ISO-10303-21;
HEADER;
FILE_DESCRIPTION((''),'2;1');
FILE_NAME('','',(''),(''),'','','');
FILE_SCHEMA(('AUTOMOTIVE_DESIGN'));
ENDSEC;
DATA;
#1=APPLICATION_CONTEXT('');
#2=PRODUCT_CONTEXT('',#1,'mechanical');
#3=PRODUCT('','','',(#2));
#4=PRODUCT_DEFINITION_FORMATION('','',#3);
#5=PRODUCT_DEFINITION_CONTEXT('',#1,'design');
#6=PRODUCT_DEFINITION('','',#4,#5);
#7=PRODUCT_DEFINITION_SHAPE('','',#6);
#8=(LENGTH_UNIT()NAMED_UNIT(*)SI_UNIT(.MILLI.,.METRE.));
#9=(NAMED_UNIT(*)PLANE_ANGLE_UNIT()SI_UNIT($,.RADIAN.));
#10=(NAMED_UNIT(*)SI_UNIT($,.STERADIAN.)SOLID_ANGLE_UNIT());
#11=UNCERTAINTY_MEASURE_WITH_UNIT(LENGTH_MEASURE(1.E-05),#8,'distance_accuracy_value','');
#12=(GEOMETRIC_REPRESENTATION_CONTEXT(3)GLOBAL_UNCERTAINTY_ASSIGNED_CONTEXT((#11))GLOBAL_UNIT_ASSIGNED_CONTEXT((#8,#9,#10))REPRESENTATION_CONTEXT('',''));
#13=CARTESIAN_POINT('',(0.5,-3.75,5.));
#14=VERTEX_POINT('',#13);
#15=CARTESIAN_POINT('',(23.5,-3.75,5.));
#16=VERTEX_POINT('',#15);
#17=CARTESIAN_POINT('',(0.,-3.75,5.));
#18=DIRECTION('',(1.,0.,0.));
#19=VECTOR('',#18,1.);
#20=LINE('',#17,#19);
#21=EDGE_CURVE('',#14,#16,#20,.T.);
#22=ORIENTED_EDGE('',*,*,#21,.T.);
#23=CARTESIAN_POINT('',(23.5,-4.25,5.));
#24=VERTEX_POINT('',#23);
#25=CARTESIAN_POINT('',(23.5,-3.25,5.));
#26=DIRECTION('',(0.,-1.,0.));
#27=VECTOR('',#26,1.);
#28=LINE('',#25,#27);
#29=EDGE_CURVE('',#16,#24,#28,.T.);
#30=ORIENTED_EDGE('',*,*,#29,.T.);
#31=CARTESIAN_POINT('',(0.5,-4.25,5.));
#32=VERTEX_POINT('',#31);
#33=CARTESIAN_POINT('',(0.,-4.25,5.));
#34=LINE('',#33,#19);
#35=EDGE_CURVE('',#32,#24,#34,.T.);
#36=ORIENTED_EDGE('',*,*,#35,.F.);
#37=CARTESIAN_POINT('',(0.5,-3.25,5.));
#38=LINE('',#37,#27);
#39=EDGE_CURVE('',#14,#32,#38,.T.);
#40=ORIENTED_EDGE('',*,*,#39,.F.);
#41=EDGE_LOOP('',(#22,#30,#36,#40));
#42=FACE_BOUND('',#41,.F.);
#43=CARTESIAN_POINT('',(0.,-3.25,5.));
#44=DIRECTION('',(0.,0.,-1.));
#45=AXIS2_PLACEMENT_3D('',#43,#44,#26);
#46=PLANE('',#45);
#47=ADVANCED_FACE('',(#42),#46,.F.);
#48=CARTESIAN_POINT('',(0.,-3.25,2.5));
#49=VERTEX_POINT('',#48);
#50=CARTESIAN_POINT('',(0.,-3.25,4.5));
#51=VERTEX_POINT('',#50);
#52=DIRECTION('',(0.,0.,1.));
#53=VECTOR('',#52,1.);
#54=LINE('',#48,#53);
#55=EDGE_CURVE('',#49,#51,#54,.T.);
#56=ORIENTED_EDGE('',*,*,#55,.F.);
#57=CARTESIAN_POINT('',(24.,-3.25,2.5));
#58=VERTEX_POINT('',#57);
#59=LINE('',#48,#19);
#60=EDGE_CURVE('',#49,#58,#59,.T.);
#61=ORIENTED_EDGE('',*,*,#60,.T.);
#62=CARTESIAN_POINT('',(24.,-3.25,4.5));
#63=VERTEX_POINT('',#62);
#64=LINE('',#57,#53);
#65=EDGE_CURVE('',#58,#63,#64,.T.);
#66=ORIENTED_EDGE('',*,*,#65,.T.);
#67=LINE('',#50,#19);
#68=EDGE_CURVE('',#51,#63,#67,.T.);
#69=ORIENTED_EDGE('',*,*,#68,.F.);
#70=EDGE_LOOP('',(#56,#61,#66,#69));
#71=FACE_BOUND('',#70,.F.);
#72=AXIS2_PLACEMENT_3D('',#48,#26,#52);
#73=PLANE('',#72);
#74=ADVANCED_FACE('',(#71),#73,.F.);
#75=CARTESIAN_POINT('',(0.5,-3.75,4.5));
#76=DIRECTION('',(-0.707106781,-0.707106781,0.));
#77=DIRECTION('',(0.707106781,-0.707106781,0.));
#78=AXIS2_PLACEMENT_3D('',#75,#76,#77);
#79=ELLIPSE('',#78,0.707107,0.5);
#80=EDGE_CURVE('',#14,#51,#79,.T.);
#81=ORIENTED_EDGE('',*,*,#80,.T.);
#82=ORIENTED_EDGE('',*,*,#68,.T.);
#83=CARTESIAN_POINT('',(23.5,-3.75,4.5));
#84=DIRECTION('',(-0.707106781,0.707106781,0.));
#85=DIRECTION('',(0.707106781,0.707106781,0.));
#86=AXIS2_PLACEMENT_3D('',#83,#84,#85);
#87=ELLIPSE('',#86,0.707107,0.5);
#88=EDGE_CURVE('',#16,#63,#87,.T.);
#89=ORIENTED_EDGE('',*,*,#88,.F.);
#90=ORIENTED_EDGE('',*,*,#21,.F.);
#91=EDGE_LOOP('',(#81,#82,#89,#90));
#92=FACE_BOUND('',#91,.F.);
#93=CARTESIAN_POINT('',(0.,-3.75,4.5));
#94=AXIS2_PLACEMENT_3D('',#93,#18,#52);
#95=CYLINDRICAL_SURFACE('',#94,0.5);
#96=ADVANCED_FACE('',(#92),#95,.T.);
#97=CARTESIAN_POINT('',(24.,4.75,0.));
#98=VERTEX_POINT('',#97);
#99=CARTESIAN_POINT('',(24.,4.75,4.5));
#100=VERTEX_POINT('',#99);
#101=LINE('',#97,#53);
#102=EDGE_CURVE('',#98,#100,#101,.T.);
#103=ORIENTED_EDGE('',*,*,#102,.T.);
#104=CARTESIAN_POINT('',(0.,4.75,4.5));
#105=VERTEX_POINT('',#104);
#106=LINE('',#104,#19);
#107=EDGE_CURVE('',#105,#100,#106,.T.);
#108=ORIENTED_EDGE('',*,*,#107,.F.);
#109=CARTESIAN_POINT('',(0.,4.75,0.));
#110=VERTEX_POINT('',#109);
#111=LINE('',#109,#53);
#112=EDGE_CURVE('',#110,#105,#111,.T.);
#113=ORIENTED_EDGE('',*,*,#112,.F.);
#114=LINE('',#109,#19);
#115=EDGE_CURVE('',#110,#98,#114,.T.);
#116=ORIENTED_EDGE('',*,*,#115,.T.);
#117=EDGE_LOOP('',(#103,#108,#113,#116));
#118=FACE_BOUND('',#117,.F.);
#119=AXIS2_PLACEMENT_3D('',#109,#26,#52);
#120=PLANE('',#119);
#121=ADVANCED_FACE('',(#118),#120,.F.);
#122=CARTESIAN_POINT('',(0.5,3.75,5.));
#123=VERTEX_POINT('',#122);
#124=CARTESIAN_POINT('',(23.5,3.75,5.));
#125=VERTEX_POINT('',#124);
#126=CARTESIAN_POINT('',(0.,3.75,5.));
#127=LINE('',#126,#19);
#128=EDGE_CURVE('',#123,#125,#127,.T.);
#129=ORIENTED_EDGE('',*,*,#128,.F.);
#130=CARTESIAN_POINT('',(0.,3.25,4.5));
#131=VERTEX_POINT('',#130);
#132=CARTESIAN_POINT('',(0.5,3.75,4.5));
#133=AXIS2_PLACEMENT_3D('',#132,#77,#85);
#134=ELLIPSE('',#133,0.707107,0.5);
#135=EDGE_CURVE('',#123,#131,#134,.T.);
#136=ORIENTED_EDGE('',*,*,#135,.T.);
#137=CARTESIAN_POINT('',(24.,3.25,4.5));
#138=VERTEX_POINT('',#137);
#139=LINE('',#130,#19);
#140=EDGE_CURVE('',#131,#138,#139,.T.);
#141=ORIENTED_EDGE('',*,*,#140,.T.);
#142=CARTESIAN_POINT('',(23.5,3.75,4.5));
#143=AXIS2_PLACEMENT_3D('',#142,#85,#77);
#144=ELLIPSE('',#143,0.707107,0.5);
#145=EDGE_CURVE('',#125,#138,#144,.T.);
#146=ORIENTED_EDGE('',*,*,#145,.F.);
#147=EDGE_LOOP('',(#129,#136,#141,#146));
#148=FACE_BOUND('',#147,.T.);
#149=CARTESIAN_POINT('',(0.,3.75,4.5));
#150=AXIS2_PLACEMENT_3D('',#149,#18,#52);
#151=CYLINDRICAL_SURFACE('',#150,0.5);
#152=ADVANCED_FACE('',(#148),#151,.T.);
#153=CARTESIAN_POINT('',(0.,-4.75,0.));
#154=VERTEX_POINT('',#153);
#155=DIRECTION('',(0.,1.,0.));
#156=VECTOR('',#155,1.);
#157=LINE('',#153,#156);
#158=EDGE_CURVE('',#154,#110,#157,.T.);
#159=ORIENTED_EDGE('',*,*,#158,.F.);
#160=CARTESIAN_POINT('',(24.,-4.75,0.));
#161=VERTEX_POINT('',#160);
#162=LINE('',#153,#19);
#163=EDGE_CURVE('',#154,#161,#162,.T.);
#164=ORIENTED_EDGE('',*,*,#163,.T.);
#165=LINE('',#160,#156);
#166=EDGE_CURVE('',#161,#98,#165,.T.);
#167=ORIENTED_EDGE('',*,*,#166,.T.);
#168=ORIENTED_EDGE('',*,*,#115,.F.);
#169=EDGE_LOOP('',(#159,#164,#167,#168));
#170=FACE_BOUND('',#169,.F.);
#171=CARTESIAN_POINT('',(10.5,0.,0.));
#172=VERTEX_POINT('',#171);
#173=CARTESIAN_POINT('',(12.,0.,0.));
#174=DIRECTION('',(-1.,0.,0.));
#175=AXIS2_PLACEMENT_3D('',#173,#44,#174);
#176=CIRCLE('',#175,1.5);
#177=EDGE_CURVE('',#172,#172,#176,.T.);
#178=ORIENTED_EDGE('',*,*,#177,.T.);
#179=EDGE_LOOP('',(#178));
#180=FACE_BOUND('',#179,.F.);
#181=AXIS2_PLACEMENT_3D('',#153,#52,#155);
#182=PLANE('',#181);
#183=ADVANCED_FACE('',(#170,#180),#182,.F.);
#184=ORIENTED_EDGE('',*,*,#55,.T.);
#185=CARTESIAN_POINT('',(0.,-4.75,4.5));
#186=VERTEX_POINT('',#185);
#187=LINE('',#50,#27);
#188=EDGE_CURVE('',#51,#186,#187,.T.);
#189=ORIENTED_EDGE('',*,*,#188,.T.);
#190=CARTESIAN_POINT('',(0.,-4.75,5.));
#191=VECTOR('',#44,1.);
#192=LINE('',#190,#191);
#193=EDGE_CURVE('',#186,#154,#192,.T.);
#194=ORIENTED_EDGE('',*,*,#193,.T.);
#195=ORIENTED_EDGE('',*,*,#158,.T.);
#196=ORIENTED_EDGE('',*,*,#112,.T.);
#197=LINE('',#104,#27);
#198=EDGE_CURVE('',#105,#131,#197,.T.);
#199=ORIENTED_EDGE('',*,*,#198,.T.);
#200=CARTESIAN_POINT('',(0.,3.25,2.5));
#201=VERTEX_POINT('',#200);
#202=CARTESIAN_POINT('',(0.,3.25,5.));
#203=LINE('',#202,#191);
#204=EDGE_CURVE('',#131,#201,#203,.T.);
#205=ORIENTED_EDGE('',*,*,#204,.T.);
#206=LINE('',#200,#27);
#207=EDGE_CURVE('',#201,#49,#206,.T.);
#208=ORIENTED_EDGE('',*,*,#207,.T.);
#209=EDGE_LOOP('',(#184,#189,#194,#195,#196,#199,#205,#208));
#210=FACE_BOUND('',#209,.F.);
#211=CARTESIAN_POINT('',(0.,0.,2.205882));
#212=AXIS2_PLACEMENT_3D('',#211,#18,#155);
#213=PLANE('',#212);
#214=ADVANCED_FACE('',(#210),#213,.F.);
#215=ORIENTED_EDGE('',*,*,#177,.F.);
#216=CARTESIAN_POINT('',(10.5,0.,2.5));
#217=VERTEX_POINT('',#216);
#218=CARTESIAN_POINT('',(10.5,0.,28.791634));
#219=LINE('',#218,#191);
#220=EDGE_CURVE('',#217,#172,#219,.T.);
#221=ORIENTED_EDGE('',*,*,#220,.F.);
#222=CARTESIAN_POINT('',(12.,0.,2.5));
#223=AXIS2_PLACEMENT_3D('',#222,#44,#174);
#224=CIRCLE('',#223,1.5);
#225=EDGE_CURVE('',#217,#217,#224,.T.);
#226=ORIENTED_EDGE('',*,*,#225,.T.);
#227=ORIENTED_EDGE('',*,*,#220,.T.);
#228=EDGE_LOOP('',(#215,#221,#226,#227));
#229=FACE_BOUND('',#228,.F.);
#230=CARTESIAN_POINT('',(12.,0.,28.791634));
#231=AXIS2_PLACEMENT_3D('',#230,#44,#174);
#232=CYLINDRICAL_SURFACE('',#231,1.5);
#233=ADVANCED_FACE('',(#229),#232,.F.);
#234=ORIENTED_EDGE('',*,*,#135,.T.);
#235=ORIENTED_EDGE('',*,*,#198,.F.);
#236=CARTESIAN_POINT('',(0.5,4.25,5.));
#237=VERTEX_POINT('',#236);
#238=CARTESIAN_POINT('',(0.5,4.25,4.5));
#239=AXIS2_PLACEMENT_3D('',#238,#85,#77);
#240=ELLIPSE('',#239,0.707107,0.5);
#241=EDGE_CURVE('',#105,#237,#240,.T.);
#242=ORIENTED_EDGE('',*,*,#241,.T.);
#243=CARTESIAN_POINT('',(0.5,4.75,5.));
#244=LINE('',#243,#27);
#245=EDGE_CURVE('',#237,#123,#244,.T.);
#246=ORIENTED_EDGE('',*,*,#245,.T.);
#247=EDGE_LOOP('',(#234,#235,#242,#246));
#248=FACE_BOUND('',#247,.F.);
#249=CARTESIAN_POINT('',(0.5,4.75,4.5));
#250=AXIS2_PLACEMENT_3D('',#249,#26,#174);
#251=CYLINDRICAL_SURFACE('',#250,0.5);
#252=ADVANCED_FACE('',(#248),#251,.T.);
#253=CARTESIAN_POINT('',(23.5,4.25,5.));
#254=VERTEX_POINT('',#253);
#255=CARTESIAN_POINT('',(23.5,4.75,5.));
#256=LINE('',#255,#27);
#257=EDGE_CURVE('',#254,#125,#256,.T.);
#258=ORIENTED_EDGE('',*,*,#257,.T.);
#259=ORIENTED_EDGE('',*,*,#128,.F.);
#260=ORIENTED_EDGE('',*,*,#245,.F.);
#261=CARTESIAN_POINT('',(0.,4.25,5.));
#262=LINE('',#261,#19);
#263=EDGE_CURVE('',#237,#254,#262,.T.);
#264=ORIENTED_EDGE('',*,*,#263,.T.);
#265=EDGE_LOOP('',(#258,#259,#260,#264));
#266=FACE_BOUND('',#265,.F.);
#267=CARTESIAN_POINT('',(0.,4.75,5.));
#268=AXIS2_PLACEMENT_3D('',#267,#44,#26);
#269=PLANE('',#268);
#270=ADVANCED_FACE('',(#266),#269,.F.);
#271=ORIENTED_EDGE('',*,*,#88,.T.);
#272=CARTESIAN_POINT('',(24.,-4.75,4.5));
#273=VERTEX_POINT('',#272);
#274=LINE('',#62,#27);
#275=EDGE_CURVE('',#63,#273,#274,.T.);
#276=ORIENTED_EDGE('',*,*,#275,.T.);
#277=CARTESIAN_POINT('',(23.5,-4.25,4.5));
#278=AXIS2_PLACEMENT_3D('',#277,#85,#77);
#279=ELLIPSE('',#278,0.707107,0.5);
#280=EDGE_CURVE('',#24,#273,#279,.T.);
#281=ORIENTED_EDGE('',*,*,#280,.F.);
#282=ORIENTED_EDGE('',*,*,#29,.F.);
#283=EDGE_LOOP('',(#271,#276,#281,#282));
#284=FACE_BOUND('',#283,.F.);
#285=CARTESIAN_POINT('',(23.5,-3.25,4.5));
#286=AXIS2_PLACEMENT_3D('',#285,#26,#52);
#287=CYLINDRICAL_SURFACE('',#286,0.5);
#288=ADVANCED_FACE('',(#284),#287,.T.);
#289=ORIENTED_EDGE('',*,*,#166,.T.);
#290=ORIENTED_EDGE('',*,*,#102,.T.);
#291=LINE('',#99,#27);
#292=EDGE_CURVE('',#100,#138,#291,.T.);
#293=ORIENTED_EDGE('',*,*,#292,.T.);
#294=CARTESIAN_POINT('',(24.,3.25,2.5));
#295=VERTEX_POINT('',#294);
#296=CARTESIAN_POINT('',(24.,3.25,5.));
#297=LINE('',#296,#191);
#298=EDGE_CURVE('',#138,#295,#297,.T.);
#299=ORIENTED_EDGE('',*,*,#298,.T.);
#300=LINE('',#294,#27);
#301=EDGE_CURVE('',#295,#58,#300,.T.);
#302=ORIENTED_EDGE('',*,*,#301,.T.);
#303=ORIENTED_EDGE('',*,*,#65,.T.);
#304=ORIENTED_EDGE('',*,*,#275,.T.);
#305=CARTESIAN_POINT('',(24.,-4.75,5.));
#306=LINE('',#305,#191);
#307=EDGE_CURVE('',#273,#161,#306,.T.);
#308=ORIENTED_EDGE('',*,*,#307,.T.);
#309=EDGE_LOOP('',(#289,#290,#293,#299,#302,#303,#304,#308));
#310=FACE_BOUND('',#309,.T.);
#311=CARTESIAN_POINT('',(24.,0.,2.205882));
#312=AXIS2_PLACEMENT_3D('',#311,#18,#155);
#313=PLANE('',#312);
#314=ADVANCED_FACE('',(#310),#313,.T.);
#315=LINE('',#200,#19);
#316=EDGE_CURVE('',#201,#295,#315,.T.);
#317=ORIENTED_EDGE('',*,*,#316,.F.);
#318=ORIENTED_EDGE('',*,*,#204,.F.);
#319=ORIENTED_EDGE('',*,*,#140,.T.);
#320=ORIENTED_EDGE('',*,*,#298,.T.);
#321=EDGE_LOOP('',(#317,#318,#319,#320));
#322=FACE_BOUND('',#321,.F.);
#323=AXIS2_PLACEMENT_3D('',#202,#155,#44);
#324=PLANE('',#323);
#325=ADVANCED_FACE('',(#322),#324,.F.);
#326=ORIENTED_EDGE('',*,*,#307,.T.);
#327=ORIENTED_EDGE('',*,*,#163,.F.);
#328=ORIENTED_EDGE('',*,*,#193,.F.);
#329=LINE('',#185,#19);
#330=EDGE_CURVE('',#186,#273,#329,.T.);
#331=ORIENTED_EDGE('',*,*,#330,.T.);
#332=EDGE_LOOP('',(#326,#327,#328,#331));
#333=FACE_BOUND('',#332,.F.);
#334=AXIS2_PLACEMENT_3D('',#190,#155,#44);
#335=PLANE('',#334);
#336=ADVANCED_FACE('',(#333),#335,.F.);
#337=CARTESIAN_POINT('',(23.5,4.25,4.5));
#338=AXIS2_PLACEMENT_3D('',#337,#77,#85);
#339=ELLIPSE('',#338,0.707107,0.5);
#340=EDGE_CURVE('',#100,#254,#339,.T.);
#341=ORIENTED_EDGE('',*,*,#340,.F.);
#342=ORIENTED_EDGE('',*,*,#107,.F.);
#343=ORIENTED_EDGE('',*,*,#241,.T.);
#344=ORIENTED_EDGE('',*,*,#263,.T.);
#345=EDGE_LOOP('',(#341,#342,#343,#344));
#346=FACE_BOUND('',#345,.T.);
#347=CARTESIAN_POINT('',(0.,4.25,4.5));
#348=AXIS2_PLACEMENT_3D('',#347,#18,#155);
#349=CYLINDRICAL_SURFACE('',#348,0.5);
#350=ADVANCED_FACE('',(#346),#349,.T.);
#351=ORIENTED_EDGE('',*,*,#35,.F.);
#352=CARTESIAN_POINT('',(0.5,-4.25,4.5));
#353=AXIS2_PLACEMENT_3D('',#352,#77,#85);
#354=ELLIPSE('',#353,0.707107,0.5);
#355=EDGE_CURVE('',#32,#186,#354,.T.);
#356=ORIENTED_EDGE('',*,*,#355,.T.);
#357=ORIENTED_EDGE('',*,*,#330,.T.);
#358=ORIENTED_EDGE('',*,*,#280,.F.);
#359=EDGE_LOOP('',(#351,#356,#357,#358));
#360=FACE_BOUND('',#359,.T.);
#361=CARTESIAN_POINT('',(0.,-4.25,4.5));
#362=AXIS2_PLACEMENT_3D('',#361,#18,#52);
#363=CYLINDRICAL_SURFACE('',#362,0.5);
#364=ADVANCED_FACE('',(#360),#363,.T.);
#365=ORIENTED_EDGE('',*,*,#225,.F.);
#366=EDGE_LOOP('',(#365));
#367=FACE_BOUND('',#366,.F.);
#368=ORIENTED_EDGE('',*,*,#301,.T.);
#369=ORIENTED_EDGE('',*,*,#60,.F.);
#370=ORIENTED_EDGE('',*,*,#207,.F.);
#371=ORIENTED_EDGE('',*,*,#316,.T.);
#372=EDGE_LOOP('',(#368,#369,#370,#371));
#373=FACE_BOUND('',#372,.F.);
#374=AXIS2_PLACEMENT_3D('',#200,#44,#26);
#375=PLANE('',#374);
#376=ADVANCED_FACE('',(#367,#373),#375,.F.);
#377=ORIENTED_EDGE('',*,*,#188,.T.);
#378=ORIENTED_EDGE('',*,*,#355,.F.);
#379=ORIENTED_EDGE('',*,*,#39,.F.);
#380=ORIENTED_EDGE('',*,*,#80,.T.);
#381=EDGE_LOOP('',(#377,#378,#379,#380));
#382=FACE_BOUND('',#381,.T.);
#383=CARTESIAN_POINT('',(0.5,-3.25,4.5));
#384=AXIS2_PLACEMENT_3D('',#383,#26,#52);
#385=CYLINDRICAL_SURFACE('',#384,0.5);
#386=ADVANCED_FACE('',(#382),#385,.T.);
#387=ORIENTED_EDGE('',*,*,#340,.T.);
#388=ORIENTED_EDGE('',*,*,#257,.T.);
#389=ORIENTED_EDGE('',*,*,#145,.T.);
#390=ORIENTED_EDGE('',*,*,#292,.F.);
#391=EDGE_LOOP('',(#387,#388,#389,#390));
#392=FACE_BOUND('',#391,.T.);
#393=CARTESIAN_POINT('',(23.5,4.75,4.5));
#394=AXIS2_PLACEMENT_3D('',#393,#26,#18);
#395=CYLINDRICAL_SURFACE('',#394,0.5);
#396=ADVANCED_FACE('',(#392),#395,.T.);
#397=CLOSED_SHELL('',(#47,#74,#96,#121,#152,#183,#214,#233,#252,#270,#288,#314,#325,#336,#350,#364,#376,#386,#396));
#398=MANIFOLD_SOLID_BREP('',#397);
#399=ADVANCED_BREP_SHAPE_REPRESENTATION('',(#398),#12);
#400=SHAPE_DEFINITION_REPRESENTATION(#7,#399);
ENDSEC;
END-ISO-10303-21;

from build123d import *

# Parameters (mm, degrees)
F1_DEPTH = 24
F3_D     = 3
F4_R     = 0.5


with BuildPart() as f1:
    # F0 (on Right) → F1 (new body)
    with BuildSketch(Plane.YZ):
        Polygon((-3.25, 5), (-4.75, 5), (-4.75, 0), (4.75, 0), (4.75, 5), (3.25, 5), (3.25, 2.5), (-3.25, 2.5), align=None)
    extrude(amount=F1_DEPTH)

    # F3 (through all)
    with Locations(Plane.XY.offset(2.5)):
        with Locations((12, 0)):
            Hole(F3_D / 2)

    # F4
    f4_edges = [f1.edges().sort_by_distance(p)[0] for p in [
        (12, 3.25, 5),
        (12, -3.25, 5),
        (12, -4.75, 5),
        (12, 4.75, 5),
        (0, 4, 5),
        (0, -4, 5),
        (24, -4, 5),
        (24, 4, 5),
    ]]
    fillet(f4_edges, radius=F4_R)


solid = f1.part
